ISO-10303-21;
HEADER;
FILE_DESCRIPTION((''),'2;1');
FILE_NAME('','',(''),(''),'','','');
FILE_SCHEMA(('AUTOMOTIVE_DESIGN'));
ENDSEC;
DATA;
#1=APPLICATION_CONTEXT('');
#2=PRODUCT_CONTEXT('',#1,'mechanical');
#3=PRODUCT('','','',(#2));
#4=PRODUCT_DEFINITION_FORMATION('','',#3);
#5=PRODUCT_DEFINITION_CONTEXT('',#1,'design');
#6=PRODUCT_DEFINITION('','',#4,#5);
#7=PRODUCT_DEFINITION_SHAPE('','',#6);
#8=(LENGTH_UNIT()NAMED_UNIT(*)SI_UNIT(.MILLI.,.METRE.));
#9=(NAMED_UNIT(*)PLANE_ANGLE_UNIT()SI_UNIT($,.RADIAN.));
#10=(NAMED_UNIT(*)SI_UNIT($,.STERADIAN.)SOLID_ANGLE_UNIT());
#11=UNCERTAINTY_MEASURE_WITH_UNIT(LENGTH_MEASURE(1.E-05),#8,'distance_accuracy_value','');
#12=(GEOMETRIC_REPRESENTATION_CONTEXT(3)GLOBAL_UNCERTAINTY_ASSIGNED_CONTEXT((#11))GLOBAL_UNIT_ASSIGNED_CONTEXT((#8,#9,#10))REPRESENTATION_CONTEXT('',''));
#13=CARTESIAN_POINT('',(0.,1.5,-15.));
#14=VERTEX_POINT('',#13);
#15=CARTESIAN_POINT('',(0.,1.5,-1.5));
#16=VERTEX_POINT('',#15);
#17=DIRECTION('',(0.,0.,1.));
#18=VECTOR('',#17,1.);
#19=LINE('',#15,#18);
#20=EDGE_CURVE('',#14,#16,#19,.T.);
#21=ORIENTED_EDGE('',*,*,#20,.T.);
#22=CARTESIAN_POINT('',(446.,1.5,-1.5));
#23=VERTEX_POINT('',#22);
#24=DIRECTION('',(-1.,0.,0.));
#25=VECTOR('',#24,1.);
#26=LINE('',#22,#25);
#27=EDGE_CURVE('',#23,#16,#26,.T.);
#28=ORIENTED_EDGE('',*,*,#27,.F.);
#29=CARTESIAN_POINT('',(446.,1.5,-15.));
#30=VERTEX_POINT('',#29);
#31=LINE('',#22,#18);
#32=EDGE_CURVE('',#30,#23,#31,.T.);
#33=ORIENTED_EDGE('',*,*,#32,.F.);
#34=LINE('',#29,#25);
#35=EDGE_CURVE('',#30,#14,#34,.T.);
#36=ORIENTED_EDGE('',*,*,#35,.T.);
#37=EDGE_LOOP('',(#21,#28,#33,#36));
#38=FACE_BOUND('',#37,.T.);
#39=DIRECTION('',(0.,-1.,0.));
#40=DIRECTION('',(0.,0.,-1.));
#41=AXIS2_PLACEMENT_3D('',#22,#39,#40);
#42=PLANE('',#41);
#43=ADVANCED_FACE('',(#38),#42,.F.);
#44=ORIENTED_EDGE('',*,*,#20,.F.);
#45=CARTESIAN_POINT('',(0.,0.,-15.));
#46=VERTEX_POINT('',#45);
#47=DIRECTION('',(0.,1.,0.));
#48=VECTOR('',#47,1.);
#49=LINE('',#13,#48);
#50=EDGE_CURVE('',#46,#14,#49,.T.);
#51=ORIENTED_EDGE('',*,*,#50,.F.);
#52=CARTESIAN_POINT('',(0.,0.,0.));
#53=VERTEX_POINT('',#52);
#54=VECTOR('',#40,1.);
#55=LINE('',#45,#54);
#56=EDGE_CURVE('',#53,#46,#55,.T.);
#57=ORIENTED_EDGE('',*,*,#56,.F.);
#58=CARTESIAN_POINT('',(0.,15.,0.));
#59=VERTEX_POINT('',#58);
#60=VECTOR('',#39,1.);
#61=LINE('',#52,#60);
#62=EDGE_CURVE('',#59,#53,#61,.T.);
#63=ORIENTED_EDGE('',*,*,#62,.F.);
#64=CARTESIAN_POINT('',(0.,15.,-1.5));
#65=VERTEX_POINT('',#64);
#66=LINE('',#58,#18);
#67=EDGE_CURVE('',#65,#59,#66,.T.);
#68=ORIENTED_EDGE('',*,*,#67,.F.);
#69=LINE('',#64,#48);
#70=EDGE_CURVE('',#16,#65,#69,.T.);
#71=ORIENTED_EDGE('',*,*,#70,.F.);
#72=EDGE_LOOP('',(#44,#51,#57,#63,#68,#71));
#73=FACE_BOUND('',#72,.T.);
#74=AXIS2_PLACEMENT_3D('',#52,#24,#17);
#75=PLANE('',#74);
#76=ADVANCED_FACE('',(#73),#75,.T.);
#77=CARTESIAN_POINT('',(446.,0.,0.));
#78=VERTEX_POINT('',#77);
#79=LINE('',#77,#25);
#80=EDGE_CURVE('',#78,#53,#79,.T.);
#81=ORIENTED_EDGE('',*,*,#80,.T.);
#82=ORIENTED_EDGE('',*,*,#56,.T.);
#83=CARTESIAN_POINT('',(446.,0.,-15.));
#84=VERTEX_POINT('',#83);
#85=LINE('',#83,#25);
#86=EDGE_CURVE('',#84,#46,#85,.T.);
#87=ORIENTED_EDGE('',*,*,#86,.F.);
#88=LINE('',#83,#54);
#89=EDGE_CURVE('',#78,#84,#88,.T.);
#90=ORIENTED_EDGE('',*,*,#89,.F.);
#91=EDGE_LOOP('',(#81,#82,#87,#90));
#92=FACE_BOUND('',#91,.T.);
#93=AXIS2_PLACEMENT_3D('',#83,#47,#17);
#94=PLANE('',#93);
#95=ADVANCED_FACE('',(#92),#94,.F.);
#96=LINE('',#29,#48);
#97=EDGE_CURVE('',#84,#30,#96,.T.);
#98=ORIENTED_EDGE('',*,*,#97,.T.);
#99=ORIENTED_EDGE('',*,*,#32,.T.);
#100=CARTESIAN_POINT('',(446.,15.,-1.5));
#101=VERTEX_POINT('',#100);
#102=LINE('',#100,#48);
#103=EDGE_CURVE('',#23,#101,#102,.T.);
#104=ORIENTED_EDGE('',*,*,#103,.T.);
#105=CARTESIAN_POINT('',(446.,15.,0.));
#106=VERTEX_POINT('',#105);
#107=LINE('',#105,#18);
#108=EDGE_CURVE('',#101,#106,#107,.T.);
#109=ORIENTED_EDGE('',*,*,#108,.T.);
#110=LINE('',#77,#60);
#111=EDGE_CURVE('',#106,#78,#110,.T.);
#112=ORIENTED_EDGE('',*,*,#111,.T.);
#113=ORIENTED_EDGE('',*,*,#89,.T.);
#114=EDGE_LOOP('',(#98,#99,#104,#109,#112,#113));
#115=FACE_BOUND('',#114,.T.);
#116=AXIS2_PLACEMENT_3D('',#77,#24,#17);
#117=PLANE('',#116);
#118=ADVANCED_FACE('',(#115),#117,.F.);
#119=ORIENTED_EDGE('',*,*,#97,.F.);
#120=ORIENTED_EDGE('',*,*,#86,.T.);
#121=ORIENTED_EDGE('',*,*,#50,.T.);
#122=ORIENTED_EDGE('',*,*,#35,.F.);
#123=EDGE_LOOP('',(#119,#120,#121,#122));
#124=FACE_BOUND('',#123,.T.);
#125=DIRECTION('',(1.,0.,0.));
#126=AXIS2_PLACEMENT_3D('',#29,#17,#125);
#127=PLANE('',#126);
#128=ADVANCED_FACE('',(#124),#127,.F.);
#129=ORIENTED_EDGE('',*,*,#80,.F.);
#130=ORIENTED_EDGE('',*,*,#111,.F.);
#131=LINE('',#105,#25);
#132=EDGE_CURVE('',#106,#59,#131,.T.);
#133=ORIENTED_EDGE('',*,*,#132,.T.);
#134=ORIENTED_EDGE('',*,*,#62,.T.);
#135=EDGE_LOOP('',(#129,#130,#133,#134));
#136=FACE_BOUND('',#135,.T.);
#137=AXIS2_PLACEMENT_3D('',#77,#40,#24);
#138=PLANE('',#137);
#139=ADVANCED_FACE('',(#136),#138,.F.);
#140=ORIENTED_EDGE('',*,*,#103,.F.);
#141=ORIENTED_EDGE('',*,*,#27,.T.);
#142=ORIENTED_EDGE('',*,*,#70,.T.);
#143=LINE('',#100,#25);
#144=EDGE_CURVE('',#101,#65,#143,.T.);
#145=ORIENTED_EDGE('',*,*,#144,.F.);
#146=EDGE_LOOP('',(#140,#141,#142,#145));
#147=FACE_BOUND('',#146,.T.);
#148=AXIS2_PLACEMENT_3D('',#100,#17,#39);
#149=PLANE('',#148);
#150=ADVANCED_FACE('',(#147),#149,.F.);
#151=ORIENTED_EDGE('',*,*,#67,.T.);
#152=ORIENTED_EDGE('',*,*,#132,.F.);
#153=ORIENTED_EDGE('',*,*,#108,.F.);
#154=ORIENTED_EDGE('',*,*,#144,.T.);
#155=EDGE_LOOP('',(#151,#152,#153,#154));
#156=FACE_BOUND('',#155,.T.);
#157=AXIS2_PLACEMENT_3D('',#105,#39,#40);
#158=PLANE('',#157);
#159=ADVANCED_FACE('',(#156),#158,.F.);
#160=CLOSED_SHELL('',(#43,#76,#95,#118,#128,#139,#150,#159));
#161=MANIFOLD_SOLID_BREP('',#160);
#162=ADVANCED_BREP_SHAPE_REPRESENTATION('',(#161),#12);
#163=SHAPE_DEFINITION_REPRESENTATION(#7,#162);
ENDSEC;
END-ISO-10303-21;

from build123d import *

# Parameters (mm, degrees)
EXTRUDE_1_DEPTH = 446


with BuildPart() as part:
    # Эскиз1 → Бобышка-Вытянуть1 (new body)
    with BuildSketch(Plane(origin=(0, 0, 0), x_dir=(0, 0, -1), z_dir=(1, 0, 0))):
        Polygon((0, 0), (0, 15), (1.5, 15), (1.5, 1.5), (15, 1.5), (15, 0), align=None)
    extrude(amount=EXTRUDE_1_DEPTH)


solid = part.part
